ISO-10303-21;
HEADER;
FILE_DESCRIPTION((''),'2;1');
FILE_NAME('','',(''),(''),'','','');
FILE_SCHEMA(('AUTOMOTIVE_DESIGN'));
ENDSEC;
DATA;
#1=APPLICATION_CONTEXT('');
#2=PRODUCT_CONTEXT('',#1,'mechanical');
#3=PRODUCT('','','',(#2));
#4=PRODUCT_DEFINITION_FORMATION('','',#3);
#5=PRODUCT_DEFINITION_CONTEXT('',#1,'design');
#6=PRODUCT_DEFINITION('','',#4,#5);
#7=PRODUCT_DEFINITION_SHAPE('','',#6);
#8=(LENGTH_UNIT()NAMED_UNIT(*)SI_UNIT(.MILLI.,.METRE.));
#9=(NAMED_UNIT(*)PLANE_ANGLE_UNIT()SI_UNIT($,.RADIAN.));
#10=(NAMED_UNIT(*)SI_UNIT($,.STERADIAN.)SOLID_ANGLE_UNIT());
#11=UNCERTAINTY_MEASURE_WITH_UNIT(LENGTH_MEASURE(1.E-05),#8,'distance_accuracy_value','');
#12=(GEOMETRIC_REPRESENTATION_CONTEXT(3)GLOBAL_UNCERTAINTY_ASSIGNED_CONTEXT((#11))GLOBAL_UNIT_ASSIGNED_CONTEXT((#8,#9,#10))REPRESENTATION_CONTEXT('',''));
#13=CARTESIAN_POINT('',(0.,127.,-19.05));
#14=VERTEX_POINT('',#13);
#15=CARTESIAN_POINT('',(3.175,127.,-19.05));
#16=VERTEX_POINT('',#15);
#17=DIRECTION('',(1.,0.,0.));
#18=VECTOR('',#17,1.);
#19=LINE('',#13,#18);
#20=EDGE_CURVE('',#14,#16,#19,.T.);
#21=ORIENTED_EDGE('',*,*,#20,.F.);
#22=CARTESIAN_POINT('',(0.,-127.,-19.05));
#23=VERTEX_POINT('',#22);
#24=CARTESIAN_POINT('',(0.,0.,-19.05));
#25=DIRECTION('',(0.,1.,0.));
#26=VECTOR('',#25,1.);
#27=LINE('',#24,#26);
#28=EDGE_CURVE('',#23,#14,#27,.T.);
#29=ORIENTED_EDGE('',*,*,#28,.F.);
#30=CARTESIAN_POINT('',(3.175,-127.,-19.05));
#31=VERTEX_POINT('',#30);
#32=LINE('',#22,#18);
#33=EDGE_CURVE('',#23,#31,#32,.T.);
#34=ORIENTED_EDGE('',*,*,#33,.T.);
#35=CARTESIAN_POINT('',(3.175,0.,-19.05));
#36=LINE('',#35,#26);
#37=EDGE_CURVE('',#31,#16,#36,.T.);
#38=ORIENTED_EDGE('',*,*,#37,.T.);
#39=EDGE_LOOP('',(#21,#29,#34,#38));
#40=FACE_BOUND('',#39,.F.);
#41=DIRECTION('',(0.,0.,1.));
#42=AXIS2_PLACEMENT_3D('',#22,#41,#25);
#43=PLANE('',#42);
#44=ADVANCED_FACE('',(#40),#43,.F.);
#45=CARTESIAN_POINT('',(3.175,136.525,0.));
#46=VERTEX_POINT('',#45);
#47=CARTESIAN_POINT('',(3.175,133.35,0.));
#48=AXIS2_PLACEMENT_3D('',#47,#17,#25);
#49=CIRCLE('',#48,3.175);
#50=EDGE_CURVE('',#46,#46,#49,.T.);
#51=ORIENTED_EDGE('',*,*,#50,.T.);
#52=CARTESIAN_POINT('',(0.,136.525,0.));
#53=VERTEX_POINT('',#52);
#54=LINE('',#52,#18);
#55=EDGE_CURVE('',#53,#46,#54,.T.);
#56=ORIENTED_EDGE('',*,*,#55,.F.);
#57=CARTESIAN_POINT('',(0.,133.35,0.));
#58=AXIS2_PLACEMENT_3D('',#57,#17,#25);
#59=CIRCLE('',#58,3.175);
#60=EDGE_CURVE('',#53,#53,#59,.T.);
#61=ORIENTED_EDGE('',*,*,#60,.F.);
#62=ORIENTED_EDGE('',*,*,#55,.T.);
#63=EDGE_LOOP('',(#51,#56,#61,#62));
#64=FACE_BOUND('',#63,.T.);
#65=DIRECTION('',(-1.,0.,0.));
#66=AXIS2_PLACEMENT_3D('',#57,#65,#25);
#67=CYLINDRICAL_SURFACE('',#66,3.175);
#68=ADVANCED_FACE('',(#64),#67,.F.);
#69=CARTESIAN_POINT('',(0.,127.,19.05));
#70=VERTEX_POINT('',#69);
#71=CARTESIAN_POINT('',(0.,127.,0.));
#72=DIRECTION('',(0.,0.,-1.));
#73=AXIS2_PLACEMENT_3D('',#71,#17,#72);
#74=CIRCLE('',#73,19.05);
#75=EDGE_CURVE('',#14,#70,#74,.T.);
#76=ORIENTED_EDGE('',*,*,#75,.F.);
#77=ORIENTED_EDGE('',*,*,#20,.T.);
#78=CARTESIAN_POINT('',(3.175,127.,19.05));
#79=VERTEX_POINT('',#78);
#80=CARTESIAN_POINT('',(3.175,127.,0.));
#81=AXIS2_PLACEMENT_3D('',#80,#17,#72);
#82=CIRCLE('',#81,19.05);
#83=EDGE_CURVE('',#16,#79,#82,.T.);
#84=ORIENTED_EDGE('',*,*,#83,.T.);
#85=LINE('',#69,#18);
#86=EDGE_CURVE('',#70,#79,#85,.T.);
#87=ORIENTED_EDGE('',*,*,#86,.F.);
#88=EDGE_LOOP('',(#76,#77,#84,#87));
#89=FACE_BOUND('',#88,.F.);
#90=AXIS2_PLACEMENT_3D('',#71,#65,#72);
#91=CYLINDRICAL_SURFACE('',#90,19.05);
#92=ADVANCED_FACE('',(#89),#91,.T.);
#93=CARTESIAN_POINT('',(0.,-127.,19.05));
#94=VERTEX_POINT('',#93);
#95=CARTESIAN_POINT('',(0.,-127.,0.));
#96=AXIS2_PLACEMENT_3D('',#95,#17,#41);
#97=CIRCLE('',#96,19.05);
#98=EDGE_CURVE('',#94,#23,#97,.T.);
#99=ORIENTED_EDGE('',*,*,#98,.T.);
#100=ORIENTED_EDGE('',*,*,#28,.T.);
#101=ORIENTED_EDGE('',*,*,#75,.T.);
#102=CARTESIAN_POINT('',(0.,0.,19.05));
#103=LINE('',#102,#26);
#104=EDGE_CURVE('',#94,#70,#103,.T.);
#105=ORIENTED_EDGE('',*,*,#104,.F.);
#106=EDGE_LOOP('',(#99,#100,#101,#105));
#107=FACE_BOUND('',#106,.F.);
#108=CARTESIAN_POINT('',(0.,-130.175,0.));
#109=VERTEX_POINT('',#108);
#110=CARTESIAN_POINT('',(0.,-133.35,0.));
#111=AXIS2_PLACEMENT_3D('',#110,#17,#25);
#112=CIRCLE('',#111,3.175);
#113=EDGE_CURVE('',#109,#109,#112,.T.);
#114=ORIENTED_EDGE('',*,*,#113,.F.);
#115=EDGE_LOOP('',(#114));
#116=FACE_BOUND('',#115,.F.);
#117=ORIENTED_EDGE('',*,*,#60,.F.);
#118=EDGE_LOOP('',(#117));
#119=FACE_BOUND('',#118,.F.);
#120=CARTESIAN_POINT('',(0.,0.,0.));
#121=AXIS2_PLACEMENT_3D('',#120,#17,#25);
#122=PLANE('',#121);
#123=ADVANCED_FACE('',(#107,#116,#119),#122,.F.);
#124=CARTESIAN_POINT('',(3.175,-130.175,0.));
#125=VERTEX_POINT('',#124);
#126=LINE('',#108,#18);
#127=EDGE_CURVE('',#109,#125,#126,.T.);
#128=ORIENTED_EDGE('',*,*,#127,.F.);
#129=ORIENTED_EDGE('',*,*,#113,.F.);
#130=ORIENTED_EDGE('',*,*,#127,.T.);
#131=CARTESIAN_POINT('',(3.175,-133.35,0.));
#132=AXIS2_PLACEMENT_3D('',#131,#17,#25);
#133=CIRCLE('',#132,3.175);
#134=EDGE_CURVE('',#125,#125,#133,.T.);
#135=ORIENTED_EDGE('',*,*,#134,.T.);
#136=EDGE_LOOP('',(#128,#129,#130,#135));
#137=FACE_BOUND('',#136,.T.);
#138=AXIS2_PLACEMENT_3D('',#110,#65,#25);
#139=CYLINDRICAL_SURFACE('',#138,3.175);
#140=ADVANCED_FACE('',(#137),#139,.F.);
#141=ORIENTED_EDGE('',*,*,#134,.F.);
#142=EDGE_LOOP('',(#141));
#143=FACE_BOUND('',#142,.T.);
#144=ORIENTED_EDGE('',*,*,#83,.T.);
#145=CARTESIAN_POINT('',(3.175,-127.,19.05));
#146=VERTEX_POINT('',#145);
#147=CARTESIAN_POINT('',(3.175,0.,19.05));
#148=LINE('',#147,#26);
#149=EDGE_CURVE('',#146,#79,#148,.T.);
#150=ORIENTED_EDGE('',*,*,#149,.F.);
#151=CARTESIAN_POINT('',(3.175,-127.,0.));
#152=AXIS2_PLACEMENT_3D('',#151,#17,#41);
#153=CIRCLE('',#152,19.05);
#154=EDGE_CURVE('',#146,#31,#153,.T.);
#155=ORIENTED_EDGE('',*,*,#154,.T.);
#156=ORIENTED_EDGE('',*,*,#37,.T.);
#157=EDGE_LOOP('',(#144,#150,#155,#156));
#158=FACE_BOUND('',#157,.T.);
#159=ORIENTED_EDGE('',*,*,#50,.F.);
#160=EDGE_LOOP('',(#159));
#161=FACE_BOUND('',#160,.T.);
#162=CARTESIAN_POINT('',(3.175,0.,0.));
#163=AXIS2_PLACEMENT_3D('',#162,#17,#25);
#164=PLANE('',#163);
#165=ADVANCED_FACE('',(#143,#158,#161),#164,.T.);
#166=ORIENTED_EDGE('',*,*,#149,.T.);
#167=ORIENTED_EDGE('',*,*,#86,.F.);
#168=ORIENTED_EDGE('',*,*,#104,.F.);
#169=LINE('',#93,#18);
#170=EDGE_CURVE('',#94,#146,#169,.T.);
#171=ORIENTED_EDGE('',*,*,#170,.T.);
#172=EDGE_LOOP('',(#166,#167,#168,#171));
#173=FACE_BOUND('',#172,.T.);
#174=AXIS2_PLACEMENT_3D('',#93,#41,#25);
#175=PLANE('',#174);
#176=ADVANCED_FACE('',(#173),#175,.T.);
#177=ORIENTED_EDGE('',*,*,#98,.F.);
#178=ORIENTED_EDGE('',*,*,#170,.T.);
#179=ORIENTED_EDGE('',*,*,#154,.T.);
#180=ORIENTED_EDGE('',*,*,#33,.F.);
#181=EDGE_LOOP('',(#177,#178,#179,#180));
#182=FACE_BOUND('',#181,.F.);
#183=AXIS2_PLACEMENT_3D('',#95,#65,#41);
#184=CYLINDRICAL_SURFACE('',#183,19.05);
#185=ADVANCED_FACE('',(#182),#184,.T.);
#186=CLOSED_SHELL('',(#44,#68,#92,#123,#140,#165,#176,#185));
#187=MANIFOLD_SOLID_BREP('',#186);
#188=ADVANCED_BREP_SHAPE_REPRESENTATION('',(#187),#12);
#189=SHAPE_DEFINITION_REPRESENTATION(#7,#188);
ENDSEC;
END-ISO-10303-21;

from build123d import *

# Parameters (mm, degrees)
F0_W     = 254
F0_H     = 38.1
F0_R     = 3.175
F1_DEPTH = 3.175


with BuildPart() as f1:
    # F0 (on Right) → F1 (new body)
    with BuildSketch(Plane.YZ):
        Rectangle(F0_W, F0_H)
        with BuildLine():
            ThreePointArc((127, -19.05), (146.05, 0), (127, 19.05))
            Line((127, 19.05), (127, -19.05))
        make_face()
        with Locations((133.35, 0)):
            Circle(F0_R, mode=Mode.SUBTRACT)
        with BuildLine():
            Line((-127, -19.05), (-127, 19.05))
            ThreePointArc((-127, 19.05), (-146.05, 0), (-127, -19.05))
        make_face()
        with Locations((-133.35, 0)):
            Circle(F0_R, mode=Mode.SUBTRACT)
    extrude(amount=F1_DEPTH)


solid = f1.part
